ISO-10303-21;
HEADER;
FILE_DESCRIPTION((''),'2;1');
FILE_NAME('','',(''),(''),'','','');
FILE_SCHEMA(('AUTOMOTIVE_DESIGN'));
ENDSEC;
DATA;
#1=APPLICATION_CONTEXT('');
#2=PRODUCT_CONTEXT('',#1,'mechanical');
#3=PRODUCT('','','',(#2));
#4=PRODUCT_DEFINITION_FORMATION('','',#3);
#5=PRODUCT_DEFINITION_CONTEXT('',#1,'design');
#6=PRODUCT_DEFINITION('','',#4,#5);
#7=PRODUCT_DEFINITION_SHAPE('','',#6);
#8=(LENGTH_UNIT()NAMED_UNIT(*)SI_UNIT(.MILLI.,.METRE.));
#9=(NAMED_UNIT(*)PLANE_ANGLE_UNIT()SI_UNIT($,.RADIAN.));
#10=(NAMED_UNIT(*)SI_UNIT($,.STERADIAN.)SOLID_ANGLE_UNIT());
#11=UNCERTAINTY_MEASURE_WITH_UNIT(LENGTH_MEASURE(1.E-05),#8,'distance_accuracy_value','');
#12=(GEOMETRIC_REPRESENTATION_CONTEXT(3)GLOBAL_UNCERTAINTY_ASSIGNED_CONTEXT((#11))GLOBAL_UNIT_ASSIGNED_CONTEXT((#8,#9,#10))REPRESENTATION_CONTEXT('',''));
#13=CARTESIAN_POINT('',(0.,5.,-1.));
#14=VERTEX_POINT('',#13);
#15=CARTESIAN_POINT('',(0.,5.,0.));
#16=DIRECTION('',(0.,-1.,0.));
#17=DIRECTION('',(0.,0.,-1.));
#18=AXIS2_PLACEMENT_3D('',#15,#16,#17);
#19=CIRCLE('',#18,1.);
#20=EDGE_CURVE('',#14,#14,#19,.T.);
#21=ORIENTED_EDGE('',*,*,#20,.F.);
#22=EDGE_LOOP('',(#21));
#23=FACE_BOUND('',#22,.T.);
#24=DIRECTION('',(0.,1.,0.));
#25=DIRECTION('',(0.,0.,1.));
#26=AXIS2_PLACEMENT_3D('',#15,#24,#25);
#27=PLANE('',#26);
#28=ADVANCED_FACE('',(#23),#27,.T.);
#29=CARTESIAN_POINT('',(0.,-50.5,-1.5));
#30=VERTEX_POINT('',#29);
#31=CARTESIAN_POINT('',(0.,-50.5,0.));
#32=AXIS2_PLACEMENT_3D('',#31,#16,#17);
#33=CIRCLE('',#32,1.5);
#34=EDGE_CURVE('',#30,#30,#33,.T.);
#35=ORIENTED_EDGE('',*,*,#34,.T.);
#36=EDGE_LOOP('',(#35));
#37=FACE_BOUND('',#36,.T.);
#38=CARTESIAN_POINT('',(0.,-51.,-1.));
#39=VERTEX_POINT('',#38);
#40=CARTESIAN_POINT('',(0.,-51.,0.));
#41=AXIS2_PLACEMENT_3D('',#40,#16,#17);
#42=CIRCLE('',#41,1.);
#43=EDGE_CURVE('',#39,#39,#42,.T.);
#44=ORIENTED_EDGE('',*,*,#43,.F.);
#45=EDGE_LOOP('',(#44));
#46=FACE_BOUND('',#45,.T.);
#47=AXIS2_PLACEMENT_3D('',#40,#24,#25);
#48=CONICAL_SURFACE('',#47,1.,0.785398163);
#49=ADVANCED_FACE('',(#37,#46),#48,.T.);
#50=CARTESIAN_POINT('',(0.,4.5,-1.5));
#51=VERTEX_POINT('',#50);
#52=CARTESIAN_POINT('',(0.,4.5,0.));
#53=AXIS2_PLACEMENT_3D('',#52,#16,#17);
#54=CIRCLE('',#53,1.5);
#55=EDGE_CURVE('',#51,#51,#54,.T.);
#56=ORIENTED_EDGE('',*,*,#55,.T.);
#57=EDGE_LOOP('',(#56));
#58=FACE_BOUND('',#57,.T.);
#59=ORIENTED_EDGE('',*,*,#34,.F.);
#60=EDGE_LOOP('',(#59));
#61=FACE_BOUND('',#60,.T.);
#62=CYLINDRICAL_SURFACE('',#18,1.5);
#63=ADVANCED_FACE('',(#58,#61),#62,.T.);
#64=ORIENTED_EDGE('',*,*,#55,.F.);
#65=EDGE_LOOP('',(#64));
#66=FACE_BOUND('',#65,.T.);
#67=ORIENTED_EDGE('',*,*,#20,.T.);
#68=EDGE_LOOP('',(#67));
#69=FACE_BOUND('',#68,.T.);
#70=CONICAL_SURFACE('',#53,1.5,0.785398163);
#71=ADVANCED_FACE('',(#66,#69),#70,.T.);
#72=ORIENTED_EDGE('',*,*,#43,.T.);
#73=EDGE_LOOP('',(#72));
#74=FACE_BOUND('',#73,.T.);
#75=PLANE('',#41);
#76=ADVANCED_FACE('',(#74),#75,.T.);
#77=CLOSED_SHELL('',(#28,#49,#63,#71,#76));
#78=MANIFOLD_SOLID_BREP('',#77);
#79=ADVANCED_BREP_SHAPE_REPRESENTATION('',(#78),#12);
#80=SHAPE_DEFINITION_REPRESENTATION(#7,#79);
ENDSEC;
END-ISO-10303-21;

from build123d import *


with BuildPart() as part:
    # Sketch1 → Revolve1 (revolve)
    with BuildSketch(Plane.XY, mode=Mode.PRIVATE) as revolve1_sk:
        Polygon((1, 5), (1.5, 4.5), (1.5, -50.5), (1, -51), (0, -51), (0, 5), align=None)
    revolve(revolve1_sk.sketch.rotate(Axis((0, 5, 0), (0, 1, 0)), 90), axis=Axis((0, 5, 0), (0, 1, 0)))  # turned: the seam where the file's is


solid = part.part
